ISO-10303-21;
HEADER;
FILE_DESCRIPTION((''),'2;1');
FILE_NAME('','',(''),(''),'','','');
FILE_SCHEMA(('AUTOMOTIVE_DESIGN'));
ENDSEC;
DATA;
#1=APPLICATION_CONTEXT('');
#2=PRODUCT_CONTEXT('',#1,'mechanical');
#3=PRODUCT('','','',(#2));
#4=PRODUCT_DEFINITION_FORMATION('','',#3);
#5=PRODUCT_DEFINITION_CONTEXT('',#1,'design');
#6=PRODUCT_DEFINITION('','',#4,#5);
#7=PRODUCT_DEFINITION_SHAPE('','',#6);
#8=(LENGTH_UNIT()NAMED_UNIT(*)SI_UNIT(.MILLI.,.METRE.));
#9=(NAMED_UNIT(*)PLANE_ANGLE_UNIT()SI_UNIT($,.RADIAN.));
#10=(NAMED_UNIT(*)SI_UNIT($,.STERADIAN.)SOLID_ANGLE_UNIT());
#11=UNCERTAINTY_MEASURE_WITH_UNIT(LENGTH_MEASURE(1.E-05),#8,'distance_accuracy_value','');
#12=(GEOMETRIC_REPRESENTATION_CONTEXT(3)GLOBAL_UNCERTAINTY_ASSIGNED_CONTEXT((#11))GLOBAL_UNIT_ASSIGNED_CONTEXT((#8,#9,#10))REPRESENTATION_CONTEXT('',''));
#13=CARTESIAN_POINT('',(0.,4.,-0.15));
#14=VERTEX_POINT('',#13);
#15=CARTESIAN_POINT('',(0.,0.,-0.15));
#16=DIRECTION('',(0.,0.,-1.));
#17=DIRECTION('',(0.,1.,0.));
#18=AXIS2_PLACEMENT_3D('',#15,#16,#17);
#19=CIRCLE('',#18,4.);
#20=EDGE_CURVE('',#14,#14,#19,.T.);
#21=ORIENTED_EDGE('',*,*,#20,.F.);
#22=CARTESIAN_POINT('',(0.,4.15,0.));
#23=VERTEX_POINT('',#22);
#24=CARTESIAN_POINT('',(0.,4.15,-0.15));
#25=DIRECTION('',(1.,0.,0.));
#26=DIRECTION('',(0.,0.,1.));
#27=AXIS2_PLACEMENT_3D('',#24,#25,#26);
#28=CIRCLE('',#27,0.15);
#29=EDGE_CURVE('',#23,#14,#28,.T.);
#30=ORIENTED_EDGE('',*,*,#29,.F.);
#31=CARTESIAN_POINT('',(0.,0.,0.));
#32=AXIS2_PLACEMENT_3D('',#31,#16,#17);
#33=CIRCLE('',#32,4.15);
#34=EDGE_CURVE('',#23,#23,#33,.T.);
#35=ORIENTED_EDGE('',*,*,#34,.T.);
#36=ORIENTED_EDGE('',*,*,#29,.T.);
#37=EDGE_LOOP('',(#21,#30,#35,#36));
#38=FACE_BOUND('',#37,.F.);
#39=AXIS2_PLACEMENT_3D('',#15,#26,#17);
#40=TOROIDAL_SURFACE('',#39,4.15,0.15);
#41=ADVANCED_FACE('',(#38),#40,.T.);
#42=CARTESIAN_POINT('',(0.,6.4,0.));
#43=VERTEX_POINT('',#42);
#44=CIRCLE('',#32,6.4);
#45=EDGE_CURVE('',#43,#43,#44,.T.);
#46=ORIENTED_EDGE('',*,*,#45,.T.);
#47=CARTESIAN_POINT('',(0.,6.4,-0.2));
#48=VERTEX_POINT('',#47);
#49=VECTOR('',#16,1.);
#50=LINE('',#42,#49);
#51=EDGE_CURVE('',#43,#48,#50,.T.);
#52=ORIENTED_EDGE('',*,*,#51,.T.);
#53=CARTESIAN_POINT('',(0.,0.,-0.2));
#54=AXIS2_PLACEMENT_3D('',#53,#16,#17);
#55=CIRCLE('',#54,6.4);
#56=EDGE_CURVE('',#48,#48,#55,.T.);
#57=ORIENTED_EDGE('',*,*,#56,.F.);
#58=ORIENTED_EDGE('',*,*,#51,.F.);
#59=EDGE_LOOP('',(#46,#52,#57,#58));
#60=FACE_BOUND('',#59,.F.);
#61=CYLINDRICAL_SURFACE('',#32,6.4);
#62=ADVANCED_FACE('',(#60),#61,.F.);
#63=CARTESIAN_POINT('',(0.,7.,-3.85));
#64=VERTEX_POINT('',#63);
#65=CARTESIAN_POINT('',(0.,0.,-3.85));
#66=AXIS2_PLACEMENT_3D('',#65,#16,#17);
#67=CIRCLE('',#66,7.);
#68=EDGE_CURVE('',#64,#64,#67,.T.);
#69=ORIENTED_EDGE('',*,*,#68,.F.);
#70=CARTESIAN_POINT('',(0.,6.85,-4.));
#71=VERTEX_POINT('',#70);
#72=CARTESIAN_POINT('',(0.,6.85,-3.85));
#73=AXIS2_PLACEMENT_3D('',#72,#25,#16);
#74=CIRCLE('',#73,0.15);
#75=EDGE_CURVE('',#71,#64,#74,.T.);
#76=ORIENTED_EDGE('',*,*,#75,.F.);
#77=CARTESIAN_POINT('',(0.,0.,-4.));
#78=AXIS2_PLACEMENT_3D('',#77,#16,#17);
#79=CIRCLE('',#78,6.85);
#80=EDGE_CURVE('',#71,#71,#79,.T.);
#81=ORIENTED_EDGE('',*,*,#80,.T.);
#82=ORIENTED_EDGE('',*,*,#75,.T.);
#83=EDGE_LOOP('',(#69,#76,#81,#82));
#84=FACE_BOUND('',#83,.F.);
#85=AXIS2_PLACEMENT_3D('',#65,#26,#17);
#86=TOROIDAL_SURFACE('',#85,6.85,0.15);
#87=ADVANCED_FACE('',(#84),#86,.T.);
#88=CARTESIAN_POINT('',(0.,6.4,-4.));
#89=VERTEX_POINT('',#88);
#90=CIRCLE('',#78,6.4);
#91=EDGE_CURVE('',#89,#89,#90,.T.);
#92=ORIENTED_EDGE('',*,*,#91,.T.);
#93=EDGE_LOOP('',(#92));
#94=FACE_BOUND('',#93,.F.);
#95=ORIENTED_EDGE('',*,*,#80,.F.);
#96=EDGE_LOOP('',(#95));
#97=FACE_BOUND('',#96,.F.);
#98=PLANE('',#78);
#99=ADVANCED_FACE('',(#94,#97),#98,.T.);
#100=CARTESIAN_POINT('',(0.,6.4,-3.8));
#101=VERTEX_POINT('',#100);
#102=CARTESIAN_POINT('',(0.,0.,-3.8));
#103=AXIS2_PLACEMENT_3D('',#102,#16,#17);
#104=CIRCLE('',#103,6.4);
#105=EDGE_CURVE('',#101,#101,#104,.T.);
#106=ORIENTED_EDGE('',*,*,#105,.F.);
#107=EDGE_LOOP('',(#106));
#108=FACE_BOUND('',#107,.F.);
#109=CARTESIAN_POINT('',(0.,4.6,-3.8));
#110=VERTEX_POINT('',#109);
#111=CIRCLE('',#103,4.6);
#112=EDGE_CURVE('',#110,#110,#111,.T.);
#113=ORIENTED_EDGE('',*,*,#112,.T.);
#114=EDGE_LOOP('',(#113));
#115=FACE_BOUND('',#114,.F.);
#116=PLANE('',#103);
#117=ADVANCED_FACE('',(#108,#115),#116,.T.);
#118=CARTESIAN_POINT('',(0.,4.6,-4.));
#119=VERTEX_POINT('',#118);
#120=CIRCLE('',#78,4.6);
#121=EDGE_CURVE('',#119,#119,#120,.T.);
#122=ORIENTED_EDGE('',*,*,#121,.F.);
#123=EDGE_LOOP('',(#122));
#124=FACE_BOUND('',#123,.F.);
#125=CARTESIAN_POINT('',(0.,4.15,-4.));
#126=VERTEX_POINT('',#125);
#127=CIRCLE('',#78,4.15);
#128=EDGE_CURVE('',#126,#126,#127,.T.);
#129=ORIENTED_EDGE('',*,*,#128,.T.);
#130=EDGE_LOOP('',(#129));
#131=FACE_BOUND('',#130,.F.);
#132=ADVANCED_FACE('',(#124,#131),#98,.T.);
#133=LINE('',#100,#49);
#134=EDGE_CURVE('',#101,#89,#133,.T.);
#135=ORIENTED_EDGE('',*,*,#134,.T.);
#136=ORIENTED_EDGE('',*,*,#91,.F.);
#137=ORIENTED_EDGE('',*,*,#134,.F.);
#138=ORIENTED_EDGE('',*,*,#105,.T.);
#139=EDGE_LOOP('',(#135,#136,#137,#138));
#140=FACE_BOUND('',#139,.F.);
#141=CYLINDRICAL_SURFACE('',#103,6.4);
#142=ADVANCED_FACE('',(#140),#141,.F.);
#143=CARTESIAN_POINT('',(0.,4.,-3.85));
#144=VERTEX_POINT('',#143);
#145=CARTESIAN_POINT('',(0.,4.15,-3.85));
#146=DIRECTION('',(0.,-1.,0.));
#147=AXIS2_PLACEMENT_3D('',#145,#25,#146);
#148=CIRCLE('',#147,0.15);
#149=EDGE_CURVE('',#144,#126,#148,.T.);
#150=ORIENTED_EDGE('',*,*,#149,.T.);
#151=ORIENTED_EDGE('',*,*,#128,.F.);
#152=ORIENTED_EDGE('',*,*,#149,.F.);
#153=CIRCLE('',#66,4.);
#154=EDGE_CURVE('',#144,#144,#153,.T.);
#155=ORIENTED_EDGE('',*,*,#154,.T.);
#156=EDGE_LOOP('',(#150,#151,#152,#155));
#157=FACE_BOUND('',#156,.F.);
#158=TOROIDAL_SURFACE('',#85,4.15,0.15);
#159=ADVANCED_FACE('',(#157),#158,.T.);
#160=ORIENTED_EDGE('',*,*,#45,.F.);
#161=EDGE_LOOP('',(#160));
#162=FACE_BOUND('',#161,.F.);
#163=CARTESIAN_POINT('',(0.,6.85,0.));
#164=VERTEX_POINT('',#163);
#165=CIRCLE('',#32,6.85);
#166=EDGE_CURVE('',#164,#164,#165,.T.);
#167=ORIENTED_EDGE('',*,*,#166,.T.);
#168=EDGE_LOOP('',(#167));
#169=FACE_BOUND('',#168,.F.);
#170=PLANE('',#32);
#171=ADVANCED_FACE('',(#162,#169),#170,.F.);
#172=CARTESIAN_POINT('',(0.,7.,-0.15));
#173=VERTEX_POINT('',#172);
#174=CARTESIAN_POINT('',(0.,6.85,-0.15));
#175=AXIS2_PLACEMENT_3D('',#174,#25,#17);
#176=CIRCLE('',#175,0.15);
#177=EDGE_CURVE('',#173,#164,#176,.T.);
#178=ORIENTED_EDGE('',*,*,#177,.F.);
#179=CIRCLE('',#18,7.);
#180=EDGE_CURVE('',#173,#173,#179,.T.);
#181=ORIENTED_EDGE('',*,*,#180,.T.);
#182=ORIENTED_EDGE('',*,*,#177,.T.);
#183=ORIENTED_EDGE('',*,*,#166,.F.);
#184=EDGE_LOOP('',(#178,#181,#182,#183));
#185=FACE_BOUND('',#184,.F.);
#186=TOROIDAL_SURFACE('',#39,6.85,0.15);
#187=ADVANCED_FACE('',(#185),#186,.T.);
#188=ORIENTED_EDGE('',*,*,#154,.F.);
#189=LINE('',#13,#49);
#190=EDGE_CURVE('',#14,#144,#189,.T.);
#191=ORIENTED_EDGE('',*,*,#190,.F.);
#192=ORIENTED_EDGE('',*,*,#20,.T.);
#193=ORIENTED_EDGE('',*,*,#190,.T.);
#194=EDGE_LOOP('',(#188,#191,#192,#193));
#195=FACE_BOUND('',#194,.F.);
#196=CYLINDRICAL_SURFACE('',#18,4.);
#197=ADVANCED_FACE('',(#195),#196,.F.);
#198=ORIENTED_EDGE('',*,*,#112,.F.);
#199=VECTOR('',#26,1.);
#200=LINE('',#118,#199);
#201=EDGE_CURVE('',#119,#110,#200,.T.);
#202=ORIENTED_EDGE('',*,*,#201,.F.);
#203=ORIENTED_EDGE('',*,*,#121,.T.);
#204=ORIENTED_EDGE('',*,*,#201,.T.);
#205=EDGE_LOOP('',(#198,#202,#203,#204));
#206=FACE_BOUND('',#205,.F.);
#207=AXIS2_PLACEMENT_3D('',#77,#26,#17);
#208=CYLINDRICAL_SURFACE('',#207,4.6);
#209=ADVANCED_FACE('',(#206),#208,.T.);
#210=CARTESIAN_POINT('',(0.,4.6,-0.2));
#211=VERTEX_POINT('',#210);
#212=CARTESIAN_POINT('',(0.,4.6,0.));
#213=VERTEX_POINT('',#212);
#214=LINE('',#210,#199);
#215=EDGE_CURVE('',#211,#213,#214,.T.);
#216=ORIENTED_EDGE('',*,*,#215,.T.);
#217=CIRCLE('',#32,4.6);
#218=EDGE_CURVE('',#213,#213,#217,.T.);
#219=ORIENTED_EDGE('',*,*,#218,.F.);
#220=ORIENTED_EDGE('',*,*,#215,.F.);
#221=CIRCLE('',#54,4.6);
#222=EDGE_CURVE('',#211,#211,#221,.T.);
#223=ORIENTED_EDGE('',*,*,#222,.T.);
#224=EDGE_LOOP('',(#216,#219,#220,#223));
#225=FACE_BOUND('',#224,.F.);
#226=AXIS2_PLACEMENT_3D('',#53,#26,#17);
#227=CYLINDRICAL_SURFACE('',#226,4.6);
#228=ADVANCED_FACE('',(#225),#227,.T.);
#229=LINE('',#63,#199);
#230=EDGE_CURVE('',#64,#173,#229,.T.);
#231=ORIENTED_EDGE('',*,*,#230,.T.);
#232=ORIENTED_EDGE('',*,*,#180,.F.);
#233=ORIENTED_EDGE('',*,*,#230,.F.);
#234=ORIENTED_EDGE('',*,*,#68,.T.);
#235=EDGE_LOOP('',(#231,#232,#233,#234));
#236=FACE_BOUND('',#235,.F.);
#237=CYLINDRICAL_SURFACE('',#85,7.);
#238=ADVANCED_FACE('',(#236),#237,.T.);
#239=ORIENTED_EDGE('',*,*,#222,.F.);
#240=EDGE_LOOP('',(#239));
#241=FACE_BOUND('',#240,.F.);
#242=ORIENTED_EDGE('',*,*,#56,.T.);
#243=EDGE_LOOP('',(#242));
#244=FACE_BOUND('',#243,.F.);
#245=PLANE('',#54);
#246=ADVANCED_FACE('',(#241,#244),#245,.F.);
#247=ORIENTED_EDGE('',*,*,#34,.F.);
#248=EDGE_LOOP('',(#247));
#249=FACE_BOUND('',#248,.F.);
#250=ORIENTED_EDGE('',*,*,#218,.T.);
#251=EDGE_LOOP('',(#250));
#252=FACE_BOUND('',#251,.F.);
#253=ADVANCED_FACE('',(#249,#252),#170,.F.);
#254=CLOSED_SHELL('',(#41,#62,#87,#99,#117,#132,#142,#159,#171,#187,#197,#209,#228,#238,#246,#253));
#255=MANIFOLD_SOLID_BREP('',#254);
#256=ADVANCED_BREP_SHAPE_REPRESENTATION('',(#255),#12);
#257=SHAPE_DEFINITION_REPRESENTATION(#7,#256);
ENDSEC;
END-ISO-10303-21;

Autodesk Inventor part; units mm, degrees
sketch "Sketch_1" plane through (0, 0, 0) normal (1, 0, 0) x (0, 0, -1)
  line L0 (4, 0) -> (0, 0)
  arc A0 (0, 4.15) -> (0.15, 4) centre (0.15, 4.15) ccw
  line L1 (0.15, 4) -> (3.85, 4)
  arc A1 (3.85, 4) -> (4, 4.15) centre (3.85, 4.15) ccw
  line L2 (4, 4.15) -> (4, 4.6)
  line L3 (4, 4.6) -> (3.8, 4.6)
  line L4 (3.8, 4.6) -> (3.8, 6.4)
  line L5 (3.8, 6.4) -> (4, 6.4)
  line L6 (4, 6.4) -> (4, 6.85)
  arc A2 (4, 6.85) -> (3.85, 7) centre (3.85, 6.85) ccw
  line L7 (3.85, 7) -> (0.15, 7)
  arc A3 (0.15, 7) -> (0, 6.85) centre (0.15, 6.85) ccw
  line L8 (0, 6.85) -> (0, 6.4)
  line L9 (0, 6.4) -> (0.2, 6.4)
  line L10 (0.2, 6.4) -> (0.2, 4.6)
  line L11 (0.2, 4.6) -> (0, 4.6)
  line L12 (0, 4.6) -> (0, 4.15)
revolve "Revolution1" add sketch "Sketch_1" angle 360 about axis through (0, 0, -4) along (0, 0, -1)
ref_plane "to_housing_XY" through (0, 0, 0) normal (0, 0, -1) x (1, 0, 0)
ref_plane "to_housing_YZ" through (0, 0, 0) normal (1, 0, 0) x (0, -1, 0)
ref_plane "to_housing_ZX" through (0, 0, 0) normal (0, -1, 0) x (0, 0, -1)
properties part number "MR148ZZ" material "鋼、炭素鋼"
